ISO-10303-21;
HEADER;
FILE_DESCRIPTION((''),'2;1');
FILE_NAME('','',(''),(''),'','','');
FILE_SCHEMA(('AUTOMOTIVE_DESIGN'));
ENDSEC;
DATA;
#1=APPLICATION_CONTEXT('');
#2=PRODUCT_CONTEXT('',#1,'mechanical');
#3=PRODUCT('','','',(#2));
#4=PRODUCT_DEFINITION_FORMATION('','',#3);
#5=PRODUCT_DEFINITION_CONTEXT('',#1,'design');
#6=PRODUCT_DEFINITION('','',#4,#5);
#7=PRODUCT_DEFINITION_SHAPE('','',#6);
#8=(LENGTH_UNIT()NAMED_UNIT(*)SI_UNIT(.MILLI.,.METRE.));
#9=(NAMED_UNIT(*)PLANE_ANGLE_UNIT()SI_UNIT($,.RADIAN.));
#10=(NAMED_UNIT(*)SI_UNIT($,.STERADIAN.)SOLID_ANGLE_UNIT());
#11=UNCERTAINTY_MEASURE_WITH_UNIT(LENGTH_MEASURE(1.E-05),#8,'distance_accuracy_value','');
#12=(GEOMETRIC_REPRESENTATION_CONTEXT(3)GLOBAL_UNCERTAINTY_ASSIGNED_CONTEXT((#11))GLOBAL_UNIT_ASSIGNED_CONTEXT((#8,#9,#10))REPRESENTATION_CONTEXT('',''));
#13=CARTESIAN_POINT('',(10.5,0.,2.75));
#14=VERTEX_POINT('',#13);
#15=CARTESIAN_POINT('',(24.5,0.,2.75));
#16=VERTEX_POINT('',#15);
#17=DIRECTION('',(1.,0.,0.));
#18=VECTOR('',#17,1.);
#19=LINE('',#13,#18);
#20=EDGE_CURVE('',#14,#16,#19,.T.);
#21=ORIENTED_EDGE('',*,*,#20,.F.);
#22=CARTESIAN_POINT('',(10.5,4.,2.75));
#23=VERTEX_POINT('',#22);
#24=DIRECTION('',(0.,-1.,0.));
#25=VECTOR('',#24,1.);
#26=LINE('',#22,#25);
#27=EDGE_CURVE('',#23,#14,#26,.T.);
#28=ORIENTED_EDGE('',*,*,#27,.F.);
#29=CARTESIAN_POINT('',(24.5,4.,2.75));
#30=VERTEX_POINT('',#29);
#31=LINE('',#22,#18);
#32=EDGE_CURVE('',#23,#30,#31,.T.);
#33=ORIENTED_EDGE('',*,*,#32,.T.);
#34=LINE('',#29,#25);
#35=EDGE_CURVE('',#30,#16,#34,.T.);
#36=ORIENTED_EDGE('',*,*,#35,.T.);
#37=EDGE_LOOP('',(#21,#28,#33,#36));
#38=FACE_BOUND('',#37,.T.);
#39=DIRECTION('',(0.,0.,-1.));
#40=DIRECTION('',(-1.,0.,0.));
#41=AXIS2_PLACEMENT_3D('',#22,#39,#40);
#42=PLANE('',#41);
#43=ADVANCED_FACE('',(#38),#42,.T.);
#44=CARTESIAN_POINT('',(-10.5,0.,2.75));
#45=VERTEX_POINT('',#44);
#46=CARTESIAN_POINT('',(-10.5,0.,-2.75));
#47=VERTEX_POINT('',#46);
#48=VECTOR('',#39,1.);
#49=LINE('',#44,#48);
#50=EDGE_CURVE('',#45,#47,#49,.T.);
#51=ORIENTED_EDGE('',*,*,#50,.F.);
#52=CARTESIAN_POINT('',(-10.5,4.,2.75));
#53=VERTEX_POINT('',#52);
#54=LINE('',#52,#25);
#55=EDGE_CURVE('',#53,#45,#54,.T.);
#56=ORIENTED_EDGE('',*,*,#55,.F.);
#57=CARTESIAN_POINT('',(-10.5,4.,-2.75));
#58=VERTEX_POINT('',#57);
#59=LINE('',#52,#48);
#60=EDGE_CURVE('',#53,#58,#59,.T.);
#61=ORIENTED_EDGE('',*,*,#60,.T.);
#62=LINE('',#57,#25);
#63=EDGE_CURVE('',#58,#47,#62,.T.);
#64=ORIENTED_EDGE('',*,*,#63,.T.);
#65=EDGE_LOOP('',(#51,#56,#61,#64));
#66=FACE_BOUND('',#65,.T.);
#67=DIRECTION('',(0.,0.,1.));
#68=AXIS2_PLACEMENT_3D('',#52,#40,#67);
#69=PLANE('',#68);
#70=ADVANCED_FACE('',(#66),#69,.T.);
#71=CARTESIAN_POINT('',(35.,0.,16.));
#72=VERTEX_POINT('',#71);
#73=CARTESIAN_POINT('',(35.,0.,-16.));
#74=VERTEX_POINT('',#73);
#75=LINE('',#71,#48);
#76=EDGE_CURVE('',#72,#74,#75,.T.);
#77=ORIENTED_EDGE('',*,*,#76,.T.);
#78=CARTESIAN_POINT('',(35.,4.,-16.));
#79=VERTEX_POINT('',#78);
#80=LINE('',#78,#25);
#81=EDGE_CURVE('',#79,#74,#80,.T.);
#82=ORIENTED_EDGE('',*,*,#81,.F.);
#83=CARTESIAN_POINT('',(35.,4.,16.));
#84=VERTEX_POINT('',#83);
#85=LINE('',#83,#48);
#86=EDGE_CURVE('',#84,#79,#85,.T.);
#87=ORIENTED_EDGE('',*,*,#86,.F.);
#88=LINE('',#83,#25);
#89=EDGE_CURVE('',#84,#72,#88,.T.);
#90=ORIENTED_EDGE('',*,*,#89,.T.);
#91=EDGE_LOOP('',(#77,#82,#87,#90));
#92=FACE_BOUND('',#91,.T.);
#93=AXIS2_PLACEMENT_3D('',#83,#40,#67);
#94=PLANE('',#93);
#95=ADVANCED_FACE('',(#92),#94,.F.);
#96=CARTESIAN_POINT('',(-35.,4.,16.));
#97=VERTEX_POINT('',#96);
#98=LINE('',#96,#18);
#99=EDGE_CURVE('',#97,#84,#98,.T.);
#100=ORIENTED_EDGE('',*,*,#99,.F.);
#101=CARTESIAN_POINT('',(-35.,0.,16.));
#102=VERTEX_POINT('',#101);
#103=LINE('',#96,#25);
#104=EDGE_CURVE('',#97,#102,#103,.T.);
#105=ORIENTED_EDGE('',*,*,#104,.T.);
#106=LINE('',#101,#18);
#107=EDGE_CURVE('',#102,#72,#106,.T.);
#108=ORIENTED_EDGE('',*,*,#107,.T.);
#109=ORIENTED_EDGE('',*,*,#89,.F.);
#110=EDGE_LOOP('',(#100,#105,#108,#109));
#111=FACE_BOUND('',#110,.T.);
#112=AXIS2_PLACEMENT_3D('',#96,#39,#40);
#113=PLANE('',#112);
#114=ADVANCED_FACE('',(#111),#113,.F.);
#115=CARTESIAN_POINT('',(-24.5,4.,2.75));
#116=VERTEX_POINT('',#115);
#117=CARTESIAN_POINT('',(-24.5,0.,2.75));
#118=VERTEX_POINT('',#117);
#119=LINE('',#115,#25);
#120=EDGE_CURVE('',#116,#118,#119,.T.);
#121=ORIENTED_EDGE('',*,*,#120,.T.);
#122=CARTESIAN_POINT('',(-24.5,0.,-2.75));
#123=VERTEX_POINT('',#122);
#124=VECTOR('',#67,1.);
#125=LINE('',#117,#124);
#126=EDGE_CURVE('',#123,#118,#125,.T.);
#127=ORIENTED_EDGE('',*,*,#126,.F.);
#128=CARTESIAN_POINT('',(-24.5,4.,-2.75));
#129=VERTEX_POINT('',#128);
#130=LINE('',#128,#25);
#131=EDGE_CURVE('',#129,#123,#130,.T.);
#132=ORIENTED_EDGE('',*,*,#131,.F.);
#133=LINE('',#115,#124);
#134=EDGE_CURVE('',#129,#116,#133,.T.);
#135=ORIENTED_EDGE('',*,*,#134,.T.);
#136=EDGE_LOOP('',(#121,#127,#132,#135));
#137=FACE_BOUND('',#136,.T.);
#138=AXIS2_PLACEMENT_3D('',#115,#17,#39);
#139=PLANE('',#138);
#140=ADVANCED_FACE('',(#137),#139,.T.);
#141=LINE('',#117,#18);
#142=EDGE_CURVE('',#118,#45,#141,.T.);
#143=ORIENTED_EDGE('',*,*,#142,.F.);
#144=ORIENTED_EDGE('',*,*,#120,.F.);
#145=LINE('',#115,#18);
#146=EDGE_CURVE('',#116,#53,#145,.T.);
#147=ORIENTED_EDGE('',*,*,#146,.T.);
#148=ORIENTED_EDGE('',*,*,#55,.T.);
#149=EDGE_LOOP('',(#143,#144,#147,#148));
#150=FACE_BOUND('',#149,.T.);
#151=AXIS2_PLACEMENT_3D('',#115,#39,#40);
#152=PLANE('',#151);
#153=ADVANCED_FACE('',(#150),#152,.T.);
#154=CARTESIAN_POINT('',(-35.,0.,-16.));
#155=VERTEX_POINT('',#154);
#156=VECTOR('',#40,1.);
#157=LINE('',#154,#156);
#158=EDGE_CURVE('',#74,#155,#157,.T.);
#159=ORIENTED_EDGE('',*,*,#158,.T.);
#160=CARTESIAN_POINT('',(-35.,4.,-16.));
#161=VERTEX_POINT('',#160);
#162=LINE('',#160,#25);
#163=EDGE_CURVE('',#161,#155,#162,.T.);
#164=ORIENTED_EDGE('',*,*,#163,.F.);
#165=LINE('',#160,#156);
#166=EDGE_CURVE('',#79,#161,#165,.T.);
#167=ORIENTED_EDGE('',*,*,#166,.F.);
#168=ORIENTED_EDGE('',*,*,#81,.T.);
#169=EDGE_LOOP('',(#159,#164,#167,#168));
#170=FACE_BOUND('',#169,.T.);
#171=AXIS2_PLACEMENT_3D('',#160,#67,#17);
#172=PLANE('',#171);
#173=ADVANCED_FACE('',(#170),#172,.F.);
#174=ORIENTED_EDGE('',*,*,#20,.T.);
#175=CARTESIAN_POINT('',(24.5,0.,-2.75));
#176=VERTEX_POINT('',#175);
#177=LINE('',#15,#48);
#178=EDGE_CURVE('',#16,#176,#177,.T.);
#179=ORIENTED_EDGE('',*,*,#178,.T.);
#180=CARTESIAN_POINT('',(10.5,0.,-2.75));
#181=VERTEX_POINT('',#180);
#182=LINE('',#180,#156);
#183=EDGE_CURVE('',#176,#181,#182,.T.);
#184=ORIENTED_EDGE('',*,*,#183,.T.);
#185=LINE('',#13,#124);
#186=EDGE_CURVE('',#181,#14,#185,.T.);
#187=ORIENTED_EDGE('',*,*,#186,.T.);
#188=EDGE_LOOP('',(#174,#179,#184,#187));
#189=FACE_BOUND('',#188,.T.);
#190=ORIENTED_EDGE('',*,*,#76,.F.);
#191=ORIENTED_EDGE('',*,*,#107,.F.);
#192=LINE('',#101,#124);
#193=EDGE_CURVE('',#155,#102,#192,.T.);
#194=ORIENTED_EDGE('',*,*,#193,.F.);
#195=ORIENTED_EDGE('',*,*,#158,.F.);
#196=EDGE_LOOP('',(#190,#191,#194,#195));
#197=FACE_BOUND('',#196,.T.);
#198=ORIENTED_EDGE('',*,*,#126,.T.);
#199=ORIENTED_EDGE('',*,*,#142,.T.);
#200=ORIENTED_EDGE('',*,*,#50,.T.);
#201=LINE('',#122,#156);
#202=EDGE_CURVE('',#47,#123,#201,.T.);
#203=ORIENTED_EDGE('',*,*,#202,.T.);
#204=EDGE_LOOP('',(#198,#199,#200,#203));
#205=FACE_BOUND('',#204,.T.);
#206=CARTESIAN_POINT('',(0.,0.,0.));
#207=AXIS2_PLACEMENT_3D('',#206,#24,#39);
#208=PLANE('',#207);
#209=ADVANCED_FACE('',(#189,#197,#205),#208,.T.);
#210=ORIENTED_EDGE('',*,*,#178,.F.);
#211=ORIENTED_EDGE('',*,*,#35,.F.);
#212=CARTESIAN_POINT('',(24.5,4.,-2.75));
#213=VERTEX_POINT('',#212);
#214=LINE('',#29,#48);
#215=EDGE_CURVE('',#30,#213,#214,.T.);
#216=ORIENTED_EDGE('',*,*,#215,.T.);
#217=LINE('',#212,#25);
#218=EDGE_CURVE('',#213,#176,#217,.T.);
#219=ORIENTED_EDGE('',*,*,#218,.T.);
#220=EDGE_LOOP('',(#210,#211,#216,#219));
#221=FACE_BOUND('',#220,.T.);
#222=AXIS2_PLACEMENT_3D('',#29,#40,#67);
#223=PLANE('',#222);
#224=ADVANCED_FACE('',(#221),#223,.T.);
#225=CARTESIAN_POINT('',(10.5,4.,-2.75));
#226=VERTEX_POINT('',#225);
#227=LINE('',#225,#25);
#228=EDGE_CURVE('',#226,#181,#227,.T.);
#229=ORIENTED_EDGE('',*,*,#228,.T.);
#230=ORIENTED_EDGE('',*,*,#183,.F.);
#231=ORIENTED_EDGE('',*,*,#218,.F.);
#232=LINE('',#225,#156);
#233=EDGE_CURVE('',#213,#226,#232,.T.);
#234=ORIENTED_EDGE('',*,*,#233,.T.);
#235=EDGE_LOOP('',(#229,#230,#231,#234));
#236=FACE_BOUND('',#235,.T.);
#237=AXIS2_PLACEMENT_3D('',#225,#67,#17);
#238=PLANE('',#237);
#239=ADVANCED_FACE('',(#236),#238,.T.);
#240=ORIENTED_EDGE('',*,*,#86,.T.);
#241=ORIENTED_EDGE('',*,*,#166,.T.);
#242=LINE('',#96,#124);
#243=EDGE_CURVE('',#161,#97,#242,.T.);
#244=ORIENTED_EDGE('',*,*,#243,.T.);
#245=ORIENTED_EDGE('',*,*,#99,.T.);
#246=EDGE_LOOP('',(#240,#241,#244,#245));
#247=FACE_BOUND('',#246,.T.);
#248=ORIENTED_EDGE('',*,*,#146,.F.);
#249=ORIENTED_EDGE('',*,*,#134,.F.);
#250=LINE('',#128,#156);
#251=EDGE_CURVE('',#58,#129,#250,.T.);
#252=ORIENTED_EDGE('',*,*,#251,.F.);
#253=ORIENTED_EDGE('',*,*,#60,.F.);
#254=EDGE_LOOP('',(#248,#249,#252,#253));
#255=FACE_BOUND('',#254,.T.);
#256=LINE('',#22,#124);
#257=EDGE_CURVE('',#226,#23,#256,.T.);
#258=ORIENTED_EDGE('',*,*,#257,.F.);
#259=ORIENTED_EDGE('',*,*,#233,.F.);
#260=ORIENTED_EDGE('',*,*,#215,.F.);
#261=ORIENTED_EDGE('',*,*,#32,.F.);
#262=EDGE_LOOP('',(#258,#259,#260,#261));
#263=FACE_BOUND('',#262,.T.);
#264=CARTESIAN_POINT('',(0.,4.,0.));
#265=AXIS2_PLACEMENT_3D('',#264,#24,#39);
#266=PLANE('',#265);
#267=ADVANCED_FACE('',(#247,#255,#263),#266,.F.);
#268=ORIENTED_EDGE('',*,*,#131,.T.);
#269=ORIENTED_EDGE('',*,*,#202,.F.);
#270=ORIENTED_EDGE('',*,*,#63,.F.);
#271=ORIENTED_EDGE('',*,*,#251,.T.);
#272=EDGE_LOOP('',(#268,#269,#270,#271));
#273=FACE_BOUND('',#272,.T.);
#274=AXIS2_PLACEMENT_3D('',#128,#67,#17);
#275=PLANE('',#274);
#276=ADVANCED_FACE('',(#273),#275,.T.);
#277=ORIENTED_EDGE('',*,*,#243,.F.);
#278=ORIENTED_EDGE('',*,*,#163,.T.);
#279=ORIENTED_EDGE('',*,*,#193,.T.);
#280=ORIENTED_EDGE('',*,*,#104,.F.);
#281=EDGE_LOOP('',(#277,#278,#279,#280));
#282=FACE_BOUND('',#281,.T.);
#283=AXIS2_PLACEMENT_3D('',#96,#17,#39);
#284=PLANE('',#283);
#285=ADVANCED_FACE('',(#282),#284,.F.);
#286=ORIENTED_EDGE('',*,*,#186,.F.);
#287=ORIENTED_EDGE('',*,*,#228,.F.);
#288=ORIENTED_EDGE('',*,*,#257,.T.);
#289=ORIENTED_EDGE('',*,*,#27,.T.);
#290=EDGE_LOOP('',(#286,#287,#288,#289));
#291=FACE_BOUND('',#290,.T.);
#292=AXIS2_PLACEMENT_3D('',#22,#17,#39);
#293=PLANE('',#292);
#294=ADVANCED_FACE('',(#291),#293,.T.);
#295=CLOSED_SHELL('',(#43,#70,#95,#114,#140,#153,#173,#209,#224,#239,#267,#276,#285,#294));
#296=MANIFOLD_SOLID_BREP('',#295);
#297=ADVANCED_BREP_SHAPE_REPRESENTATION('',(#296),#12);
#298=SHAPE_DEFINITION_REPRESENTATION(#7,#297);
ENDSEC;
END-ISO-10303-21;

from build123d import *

# Parameters (mm, degrees)
SKETCH1_W                     = 70
SKETCH1_H                     = 32
SKETCH1_W_2                   = 14
SKETCH1_H_2                   = 5.5
SLOTTED_BRACKET_EXTRUDE_DEPTH = 4


with BuildPart() as part:
    # Sketch1 → Slotted_Bracket_Extrude (new body)
    with BuildSketch(Plane(origin=(0, 0, 0), x_dir=(1, 0, 0), z_dir=(0, 1, 0))):
        Rectangle(SKETCH1_W, SKETCH1_H)
        with Locations((-17.5, 0)):
            Rectangle(SKETCH1_W_2, SKETCH1_H_2, mode=Mode.SUBTRACT)
        with Locations((17.5, 0)):
            Rectangle(SKETCH1_W_2, SKETCH1_H_2, mode=Mode.SUBTRACT)
    extrude(amount=SLOTTED_BRACKET_EXTRUDE_DEPTH)


solid = part.part
